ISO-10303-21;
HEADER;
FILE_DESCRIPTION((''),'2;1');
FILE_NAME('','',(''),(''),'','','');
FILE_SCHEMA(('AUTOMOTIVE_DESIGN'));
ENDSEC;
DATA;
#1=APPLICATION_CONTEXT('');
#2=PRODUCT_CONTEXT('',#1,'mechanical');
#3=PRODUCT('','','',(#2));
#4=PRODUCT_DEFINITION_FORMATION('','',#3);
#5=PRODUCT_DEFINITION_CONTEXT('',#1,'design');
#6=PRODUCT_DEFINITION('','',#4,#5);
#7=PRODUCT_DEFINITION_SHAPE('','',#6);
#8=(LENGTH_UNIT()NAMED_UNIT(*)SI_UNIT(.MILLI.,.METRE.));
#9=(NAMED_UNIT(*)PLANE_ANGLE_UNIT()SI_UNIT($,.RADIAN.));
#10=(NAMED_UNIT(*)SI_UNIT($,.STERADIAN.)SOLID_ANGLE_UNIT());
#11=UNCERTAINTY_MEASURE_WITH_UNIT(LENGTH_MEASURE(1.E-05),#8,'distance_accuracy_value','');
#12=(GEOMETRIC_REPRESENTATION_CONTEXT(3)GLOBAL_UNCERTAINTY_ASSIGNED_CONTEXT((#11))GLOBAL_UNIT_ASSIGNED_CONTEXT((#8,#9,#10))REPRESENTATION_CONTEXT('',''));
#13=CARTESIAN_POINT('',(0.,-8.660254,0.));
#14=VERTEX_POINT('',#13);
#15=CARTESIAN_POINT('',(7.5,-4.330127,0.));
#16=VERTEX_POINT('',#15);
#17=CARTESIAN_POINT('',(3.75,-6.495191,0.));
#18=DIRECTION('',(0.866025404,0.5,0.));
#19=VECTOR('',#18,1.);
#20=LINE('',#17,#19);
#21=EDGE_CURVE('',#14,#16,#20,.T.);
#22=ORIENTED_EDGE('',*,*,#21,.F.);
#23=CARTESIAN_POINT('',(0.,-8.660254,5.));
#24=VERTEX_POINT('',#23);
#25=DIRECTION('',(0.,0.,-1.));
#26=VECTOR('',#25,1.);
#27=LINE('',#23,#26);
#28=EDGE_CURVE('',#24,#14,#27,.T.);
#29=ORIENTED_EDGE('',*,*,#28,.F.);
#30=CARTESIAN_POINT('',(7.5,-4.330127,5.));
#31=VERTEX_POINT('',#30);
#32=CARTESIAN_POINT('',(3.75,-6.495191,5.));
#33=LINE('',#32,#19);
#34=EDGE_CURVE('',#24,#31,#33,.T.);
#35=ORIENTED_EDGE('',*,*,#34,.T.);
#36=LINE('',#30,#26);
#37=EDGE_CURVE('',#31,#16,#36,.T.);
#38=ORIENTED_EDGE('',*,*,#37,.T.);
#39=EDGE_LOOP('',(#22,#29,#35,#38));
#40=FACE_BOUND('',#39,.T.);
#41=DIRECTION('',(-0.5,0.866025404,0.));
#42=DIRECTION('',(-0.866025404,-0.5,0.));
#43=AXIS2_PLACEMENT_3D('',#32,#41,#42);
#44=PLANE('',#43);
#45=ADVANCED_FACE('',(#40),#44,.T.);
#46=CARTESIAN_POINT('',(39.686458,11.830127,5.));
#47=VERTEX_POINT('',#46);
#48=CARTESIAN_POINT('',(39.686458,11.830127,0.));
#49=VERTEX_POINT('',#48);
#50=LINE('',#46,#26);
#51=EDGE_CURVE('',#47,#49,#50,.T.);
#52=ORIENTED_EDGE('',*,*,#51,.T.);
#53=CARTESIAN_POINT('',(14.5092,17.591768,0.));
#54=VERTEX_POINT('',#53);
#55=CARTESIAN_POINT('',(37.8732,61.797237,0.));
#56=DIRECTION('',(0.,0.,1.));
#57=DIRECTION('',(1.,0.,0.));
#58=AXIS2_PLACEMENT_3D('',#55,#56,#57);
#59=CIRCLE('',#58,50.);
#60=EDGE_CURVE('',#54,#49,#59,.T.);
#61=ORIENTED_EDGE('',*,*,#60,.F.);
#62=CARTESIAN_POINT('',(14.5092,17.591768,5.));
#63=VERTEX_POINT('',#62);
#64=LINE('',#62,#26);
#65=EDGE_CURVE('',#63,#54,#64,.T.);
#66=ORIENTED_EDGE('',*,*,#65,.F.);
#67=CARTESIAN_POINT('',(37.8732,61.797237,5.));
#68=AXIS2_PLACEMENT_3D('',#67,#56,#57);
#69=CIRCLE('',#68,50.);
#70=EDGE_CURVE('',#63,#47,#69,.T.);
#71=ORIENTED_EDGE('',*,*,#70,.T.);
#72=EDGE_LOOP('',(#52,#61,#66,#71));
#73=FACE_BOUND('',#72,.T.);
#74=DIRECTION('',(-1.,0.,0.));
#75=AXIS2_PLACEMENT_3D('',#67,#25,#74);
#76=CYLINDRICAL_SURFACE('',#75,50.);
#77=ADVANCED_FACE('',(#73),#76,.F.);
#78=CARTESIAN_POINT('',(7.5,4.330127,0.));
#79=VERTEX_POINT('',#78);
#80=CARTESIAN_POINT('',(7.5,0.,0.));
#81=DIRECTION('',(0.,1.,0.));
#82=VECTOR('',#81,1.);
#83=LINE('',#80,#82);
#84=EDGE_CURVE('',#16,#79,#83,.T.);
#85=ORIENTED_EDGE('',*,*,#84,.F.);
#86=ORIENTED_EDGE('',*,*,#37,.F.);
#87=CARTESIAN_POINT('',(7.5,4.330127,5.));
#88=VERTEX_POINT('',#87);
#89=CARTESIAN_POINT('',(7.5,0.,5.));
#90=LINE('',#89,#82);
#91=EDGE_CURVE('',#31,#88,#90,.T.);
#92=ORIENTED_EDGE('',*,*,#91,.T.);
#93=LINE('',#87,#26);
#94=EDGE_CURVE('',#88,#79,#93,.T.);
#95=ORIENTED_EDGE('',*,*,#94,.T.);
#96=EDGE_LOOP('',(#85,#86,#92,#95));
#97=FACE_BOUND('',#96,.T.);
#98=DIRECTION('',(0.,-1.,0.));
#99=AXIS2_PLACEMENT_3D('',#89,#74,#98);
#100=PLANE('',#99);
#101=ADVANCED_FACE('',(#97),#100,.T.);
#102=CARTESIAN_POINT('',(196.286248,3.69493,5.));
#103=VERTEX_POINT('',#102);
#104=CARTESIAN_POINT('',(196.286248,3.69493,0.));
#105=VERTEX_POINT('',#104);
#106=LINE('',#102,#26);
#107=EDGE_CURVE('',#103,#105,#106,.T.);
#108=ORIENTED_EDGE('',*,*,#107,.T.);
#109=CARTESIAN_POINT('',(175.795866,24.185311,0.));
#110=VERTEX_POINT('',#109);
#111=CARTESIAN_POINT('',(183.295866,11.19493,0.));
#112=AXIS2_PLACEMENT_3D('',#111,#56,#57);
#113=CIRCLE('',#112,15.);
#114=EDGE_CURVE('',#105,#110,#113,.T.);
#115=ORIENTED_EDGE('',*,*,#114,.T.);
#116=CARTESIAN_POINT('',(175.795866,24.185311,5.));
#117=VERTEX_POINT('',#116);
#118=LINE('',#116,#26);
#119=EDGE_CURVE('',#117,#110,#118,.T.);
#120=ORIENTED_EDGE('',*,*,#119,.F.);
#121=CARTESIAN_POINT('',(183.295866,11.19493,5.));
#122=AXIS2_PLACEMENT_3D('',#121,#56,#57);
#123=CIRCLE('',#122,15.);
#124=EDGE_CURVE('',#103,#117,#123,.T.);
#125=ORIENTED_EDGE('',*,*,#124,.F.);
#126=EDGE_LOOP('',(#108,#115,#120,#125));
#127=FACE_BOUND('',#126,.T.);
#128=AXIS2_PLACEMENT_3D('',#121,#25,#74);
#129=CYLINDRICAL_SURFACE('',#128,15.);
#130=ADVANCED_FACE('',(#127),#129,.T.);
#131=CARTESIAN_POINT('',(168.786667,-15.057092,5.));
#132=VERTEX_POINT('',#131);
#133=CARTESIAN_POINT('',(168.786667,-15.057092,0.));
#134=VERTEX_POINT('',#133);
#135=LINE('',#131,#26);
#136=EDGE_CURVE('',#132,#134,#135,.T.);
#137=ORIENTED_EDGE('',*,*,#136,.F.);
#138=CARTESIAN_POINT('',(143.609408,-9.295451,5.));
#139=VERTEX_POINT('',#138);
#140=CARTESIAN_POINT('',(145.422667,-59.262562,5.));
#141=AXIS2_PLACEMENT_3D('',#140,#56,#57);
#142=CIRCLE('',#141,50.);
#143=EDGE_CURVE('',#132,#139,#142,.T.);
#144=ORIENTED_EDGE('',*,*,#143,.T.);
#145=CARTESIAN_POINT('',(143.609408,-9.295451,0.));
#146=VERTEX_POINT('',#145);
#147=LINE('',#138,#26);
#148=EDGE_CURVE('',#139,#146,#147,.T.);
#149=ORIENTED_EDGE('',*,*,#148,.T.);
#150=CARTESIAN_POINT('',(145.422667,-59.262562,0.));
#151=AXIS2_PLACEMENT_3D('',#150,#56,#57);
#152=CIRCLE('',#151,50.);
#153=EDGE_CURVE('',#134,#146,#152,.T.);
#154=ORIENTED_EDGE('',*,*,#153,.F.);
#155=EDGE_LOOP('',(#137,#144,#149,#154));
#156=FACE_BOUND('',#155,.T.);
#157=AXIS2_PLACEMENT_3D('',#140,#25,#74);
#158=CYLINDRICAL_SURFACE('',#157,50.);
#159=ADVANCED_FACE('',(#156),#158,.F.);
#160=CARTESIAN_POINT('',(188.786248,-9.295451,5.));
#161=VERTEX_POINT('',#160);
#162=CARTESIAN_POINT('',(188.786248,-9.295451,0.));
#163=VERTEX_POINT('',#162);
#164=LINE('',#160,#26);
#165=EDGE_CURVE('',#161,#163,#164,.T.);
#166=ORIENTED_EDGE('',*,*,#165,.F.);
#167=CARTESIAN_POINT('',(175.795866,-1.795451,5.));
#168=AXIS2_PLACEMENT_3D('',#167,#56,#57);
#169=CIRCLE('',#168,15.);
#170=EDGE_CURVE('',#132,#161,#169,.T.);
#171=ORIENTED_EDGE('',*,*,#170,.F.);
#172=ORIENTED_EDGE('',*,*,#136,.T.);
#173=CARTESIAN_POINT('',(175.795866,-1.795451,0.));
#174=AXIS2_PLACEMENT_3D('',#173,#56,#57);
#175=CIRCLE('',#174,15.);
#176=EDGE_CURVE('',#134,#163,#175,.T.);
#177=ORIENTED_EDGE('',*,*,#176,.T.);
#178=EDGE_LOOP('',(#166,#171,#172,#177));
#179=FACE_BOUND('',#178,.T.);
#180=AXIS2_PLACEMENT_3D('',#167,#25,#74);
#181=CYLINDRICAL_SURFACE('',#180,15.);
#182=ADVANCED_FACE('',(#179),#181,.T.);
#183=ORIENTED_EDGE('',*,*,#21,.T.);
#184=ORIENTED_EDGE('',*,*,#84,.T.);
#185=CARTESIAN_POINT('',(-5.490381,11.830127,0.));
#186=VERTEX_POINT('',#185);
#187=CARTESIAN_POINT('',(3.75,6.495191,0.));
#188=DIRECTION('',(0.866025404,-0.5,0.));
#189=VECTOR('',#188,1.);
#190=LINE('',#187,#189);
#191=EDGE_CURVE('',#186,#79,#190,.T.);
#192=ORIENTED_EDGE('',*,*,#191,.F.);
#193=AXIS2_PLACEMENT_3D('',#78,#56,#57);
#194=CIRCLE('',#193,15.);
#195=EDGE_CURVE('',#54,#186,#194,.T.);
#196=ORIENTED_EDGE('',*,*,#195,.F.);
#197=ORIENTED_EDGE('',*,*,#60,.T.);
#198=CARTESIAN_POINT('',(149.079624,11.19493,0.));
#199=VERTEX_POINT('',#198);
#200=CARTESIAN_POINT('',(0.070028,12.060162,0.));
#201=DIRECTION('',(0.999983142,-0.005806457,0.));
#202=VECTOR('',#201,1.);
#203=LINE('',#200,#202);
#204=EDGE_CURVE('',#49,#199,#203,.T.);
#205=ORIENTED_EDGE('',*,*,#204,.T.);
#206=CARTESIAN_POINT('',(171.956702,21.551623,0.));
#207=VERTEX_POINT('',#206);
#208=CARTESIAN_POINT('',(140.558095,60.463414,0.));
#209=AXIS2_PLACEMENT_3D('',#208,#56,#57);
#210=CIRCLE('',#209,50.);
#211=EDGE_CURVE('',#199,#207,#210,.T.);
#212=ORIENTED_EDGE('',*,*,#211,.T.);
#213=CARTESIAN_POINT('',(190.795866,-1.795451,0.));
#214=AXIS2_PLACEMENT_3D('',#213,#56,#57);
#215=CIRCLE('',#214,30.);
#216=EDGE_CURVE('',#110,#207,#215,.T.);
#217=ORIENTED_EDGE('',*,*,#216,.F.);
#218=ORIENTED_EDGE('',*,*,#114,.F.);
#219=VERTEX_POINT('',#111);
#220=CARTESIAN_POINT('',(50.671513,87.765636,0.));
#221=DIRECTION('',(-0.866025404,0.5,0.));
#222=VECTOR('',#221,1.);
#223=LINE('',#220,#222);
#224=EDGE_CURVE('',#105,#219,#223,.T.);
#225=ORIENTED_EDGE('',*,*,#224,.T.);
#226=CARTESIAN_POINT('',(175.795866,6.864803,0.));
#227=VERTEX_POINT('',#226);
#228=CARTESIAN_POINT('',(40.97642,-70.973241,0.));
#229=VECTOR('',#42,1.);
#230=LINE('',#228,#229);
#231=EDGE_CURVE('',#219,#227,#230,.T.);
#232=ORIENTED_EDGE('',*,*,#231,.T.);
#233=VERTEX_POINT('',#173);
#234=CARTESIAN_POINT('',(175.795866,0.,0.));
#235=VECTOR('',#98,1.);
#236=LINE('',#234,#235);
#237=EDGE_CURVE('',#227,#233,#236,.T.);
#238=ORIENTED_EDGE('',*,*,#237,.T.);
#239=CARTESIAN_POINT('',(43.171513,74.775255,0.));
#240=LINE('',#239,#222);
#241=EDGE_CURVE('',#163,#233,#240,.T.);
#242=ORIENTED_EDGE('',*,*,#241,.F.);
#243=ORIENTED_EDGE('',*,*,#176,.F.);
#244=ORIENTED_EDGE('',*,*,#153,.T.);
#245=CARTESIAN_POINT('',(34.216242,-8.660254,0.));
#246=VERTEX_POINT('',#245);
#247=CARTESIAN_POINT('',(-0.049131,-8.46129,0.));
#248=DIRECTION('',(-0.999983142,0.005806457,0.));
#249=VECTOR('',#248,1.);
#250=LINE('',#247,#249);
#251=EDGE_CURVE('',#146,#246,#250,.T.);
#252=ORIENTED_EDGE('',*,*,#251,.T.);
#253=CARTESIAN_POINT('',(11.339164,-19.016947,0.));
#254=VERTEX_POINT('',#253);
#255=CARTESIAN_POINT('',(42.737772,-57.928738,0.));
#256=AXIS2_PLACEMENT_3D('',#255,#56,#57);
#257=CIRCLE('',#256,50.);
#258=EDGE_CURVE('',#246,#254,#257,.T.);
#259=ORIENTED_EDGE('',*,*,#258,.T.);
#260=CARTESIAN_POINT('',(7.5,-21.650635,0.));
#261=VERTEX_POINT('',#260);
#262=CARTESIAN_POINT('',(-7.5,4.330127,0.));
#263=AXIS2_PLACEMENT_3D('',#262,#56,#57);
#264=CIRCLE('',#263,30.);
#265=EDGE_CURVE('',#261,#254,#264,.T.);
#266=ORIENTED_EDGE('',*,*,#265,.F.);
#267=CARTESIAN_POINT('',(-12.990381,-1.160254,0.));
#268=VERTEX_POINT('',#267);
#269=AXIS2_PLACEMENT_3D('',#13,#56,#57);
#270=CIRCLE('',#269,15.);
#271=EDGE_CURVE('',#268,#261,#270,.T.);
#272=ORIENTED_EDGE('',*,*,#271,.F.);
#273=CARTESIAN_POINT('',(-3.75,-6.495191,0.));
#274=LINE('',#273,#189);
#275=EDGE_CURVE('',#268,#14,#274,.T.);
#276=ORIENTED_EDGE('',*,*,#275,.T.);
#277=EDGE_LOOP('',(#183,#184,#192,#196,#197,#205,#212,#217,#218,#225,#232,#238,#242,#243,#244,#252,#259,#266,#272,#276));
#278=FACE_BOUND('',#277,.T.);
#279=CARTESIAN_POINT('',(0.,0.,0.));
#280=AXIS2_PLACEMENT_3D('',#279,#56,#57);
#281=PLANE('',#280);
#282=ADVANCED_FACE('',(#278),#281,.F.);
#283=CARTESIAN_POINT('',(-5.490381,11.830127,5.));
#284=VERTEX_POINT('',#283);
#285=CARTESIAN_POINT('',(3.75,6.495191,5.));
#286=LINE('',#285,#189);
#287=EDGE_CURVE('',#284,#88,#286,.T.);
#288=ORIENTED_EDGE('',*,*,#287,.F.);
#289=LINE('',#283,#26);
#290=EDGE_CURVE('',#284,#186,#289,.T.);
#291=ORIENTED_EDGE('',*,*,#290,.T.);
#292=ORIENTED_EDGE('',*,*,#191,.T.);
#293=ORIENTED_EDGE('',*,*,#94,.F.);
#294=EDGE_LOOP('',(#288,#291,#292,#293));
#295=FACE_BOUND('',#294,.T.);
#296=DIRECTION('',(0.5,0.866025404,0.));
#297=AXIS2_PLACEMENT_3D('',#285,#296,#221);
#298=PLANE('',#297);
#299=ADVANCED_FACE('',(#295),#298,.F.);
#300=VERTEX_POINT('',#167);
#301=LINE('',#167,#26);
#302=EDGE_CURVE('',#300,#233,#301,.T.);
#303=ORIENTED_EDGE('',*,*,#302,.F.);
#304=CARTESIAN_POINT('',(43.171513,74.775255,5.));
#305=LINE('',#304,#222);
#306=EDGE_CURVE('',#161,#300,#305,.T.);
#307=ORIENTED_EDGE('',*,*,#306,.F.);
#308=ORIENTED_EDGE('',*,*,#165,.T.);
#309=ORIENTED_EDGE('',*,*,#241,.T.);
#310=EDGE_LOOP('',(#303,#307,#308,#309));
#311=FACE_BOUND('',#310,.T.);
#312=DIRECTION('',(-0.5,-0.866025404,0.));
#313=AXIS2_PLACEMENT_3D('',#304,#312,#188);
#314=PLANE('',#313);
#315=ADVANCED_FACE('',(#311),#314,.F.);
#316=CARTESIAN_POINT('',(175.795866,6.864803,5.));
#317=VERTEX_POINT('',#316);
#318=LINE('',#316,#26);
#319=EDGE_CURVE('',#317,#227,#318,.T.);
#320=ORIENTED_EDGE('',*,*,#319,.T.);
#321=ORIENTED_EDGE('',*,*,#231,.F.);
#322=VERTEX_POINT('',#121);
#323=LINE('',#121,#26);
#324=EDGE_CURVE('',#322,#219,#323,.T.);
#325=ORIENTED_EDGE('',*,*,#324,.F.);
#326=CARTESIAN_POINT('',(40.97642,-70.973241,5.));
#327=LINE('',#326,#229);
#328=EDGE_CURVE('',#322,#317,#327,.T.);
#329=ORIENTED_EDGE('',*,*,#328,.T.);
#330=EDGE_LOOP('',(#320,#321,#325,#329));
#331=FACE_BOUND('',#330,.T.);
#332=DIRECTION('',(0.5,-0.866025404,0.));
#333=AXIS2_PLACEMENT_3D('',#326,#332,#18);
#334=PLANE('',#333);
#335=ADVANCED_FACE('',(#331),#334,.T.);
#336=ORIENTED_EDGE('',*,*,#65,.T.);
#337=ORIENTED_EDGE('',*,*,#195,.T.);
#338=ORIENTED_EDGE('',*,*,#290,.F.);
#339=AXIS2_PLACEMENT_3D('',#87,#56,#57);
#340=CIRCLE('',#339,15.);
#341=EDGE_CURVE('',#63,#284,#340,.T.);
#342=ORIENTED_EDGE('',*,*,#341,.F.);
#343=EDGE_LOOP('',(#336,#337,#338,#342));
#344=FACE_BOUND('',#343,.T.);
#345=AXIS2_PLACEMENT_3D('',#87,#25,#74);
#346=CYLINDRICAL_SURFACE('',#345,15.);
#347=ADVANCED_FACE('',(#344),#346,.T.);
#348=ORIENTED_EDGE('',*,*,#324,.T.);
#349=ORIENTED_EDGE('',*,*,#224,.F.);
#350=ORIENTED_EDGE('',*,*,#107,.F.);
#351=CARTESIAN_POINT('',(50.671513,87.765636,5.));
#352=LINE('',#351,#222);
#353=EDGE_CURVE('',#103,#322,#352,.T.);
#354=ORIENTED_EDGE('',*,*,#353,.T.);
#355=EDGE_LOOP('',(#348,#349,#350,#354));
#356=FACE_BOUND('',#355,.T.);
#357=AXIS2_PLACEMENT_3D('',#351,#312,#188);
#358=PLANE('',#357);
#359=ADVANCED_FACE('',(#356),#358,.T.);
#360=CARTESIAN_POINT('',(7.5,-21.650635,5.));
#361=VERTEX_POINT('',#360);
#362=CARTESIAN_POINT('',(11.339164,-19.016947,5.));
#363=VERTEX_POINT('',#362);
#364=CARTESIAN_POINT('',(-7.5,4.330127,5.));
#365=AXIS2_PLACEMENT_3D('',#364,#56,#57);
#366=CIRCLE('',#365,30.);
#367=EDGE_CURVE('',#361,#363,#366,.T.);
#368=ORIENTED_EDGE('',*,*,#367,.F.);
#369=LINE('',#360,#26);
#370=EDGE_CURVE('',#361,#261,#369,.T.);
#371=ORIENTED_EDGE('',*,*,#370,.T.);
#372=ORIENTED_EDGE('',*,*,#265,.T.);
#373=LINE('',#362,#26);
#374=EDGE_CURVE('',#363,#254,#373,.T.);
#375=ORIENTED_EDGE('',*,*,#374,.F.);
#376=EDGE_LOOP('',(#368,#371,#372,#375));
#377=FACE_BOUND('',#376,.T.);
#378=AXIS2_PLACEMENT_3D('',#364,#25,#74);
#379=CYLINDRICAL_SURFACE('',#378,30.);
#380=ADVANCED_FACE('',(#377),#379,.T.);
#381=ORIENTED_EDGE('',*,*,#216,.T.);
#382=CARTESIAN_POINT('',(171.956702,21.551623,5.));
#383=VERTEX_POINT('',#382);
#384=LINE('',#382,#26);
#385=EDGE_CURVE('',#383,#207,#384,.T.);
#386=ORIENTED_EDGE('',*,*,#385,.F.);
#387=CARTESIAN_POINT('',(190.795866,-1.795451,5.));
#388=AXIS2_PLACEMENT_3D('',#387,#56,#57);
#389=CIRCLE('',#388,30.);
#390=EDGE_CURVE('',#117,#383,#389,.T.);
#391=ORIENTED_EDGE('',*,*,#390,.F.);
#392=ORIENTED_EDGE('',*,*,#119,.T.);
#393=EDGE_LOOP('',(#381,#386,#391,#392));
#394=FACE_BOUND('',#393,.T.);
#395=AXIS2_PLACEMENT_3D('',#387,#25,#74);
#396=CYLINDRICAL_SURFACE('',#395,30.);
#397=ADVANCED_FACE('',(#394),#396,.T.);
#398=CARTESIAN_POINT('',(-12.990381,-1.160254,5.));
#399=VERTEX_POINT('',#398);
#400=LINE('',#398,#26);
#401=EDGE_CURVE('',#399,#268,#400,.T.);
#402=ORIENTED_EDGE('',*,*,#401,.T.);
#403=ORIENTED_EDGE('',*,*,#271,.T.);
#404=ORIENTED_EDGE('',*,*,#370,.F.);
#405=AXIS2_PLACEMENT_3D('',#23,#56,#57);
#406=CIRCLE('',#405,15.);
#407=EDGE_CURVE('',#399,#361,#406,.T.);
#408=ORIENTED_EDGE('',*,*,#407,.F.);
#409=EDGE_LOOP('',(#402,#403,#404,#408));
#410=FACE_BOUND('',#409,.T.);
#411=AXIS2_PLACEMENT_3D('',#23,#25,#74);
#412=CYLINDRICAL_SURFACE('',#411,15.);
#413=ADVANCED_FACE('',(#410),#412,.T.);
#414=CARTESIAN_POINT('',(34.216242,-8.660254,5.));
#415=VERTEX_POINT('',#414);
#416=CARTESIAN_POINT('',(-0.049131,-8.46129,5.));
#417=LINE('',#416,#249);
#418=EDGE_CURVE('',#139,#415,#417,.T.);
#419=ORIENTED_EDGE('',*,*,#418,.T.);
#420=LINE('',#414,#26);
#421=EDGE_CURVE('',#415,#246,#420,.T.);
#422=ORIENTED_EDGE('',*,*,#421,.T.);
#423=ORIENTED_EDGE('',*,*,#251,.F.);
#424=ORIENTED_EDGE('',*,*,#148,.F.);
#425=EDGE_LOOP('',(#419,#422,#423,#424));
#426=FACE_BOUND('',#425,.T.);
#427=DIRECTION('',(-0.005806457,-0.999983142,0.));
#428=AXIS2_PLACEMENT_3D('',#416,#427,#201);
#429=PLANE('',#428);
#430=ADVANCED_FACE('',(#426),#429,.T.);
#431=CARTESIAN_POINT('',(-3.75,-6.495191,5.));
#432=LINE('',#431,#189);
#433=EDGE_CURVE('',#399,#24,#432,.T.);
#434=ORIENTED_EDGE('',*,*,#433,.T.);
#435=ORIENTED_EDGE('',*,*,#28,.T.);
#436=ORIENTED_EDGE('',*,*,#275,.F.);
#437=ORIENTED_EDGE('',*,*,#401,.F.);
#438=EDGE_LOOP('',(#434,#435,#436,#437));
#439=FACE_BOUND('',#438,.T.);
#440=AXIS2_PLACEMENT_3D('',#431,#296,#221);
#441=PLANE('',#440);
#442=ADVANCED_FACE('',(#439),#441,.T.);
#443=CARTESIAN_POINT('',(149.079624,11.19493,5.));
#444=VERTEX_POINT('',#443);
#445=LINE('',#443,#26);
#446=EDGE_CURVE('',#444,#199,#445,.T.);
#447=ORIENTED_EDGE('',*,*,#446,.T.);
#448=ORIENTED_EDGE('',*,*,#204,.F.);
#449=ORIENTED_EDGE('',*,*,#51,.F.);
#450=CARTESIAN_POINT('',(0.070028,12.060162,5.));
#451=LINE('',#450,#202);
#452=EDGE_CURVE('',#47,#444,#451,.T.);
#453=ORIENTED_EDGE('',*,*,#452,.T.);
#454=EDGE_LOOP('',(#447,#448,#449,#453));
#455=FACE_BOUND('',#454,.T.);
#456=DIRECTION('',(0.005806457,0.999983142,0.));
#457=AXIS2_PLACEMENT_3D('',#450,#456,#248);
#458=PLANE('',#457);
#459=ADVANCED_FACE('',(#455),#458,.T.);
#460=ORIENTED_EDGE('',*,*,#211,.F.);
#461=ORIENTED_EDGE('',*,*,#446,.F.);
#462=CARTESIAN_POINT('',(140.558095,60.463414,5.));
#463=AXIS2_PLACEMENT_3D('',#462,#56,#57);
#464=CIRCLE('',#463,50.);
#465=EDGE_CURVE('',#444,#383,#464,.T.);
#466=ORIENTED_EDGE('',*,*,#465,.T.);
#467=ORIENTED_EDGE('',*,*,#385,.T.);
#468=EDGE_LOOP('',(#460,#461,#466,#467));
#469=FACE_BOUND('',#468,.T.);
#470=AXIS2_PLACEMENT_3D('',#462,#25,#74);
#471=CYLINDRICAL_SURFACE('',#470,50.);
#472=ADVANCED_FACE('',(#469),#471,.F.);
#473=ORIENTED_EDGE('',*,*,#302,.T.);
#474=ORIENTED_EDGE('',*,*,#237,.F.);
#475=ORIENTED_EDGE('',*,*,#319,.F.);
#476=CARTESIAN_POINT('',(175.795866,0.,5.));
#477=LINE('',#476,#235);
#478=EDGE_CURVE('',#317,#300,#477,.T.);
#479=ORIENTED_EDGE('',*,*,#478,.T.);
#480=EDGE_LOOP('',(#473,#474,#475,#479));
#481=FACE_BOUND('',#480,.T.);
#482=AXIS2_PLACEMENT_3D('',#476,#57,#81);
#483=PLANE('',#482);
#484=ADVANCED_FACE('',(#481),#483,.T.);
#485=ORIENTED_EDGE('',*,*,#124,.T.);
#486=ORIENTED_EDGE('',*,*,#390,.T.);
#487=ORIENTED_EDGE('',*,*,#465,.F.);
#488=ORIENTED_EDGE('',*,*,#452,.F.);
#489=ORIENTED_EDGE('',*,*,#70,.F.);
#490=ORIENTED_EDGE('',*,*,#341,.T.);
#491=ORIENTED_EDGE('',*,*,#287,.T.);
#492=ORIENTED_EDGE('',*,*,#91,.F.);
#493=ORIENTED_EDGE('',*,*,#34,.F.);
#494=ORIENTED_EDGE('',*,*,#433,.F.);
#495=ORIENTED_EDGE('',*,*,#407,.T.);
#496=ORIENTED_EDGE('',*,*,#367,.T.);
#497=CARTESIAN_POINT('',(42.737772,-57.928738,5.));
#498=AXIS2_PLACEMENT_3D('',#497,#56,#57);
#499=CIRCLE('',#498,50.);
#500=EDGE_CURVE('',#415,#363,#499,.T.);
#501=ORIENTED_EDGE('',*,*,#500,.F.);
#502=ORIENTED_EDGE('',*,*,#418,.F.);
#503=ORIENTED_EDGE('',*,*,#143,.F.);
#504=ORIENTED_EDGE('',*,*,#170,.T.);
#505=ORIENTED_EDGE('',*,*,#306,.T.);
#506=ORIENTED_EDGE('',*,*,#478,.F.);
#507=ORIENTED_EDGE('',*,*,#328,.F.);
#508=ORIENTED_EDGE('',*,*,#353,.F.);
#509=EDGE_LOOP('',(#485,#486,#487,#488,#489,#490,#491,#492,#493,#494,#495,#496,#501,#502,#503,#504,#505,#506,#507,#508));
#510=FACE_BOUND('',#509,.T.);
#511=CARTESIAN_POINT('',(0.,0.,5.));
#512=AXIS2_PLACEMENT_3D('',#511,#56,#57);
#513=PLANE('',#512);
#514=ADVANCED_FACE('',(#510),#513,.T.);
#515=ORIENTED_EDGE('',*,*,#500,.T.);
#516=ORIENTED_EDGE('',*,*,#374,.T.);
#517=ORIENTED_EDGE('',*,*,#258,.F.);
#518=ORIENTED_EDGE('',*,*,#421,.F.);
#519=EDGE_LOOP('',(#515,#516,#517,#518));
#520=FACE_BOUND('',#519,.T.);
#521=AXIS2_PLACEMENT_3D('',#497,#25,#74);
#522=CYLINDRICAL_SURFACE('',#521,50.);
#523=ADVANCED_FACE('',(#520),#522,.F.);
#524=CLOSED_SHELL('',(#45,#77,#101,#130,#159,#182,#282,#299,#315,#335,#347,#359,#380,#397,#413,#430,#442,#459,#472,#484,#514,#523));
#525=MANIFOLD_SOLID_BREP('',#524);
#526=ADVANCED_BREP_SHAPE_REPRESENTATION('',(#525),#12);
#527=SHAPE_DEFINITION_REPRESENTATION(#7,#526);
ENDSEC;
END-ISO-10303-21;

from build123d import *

# Parameters (mm, degrees)
BOSS_EXTRUDE1_DEPTH = 5


with BuildPart() as part:
    # Sketch1 → Boss-Extrude1 (new body)
    with BuildSketch(Plane.XY):
        with BuildLine():
            Line((7.5, 4.330127019), (7.5, -4.330127019))
            Line((7.5, -4.330127019), (0, -8.660254038))
            Line((0, -8.660254038), (-12.990381057, -1.160254038))
            ThreePointArc((-12.990381057, -1.160254038), (-10.606601718, -19.266855756), (7.5, -21.650635095))
            ThreePointArc((7.5, -21.650635095), (9.470749841, -20.408378389), (11.339164993, -19.016946938))
            ThreePointArc((11.339164993, -19.016946938), (22.116918375, -12.378980702), (34.216242145, -8.660254038))
            Line((34.216242145, -8.660254038), (143.609407991, -9.295451439))
            ThreePointArc((143.609407991, -9.295451439), (156.576488353, -10.522513679), (168.786666574, -15.057092233))
            ThreePointArc((168.786666574, -15.057092233), (179.94830651, -16.20923796), (188.786247547, -9.295451439))
            Line((188.786247547, -9.295451439), (175.79586649, -1.795451439))
            Line((175.79586649, -1.795451439), (175.79586649, 6.864802599))
            Line((175.79586649, 6.864802599), (183.29586649, 11.194929618))
            Line((183.29586649, 11.194929618), (196.286247547, 3.694929618))
            ThreePointArc((196.286247547, 3.694929618), (193.902468208, 21.801531335), (175.79586649, 24.185310674))
            ThreePointArc((175.79586649, 24.185310674), (173.82511705, 22.943054244), (171.956702255, 21.55162313))
            ThreePointArc((171.956702255, 21.55162313), (161.178948559, 14.913656483), (149.079624345, 11.194929618))
            Line((149.079624345, 11.194929618), (39.686458499, 11.830127019))
            ThreePointArc((39.686458499, 11.830127019), (26.719378137, 13.057189259), (14.509199916, 17.591767813))
            ThreePointArc((14.509199916, 17.591767813), (3.34755998, 18.74391354), (-5.490381057, 11.830127019))
            Line((-5.490381057, 11.830127019), (7.5, 4.330127019))
        make_face()
    extrude(amount=BOSS_EXTRUDE1_DEPTH)


solid = part.part
